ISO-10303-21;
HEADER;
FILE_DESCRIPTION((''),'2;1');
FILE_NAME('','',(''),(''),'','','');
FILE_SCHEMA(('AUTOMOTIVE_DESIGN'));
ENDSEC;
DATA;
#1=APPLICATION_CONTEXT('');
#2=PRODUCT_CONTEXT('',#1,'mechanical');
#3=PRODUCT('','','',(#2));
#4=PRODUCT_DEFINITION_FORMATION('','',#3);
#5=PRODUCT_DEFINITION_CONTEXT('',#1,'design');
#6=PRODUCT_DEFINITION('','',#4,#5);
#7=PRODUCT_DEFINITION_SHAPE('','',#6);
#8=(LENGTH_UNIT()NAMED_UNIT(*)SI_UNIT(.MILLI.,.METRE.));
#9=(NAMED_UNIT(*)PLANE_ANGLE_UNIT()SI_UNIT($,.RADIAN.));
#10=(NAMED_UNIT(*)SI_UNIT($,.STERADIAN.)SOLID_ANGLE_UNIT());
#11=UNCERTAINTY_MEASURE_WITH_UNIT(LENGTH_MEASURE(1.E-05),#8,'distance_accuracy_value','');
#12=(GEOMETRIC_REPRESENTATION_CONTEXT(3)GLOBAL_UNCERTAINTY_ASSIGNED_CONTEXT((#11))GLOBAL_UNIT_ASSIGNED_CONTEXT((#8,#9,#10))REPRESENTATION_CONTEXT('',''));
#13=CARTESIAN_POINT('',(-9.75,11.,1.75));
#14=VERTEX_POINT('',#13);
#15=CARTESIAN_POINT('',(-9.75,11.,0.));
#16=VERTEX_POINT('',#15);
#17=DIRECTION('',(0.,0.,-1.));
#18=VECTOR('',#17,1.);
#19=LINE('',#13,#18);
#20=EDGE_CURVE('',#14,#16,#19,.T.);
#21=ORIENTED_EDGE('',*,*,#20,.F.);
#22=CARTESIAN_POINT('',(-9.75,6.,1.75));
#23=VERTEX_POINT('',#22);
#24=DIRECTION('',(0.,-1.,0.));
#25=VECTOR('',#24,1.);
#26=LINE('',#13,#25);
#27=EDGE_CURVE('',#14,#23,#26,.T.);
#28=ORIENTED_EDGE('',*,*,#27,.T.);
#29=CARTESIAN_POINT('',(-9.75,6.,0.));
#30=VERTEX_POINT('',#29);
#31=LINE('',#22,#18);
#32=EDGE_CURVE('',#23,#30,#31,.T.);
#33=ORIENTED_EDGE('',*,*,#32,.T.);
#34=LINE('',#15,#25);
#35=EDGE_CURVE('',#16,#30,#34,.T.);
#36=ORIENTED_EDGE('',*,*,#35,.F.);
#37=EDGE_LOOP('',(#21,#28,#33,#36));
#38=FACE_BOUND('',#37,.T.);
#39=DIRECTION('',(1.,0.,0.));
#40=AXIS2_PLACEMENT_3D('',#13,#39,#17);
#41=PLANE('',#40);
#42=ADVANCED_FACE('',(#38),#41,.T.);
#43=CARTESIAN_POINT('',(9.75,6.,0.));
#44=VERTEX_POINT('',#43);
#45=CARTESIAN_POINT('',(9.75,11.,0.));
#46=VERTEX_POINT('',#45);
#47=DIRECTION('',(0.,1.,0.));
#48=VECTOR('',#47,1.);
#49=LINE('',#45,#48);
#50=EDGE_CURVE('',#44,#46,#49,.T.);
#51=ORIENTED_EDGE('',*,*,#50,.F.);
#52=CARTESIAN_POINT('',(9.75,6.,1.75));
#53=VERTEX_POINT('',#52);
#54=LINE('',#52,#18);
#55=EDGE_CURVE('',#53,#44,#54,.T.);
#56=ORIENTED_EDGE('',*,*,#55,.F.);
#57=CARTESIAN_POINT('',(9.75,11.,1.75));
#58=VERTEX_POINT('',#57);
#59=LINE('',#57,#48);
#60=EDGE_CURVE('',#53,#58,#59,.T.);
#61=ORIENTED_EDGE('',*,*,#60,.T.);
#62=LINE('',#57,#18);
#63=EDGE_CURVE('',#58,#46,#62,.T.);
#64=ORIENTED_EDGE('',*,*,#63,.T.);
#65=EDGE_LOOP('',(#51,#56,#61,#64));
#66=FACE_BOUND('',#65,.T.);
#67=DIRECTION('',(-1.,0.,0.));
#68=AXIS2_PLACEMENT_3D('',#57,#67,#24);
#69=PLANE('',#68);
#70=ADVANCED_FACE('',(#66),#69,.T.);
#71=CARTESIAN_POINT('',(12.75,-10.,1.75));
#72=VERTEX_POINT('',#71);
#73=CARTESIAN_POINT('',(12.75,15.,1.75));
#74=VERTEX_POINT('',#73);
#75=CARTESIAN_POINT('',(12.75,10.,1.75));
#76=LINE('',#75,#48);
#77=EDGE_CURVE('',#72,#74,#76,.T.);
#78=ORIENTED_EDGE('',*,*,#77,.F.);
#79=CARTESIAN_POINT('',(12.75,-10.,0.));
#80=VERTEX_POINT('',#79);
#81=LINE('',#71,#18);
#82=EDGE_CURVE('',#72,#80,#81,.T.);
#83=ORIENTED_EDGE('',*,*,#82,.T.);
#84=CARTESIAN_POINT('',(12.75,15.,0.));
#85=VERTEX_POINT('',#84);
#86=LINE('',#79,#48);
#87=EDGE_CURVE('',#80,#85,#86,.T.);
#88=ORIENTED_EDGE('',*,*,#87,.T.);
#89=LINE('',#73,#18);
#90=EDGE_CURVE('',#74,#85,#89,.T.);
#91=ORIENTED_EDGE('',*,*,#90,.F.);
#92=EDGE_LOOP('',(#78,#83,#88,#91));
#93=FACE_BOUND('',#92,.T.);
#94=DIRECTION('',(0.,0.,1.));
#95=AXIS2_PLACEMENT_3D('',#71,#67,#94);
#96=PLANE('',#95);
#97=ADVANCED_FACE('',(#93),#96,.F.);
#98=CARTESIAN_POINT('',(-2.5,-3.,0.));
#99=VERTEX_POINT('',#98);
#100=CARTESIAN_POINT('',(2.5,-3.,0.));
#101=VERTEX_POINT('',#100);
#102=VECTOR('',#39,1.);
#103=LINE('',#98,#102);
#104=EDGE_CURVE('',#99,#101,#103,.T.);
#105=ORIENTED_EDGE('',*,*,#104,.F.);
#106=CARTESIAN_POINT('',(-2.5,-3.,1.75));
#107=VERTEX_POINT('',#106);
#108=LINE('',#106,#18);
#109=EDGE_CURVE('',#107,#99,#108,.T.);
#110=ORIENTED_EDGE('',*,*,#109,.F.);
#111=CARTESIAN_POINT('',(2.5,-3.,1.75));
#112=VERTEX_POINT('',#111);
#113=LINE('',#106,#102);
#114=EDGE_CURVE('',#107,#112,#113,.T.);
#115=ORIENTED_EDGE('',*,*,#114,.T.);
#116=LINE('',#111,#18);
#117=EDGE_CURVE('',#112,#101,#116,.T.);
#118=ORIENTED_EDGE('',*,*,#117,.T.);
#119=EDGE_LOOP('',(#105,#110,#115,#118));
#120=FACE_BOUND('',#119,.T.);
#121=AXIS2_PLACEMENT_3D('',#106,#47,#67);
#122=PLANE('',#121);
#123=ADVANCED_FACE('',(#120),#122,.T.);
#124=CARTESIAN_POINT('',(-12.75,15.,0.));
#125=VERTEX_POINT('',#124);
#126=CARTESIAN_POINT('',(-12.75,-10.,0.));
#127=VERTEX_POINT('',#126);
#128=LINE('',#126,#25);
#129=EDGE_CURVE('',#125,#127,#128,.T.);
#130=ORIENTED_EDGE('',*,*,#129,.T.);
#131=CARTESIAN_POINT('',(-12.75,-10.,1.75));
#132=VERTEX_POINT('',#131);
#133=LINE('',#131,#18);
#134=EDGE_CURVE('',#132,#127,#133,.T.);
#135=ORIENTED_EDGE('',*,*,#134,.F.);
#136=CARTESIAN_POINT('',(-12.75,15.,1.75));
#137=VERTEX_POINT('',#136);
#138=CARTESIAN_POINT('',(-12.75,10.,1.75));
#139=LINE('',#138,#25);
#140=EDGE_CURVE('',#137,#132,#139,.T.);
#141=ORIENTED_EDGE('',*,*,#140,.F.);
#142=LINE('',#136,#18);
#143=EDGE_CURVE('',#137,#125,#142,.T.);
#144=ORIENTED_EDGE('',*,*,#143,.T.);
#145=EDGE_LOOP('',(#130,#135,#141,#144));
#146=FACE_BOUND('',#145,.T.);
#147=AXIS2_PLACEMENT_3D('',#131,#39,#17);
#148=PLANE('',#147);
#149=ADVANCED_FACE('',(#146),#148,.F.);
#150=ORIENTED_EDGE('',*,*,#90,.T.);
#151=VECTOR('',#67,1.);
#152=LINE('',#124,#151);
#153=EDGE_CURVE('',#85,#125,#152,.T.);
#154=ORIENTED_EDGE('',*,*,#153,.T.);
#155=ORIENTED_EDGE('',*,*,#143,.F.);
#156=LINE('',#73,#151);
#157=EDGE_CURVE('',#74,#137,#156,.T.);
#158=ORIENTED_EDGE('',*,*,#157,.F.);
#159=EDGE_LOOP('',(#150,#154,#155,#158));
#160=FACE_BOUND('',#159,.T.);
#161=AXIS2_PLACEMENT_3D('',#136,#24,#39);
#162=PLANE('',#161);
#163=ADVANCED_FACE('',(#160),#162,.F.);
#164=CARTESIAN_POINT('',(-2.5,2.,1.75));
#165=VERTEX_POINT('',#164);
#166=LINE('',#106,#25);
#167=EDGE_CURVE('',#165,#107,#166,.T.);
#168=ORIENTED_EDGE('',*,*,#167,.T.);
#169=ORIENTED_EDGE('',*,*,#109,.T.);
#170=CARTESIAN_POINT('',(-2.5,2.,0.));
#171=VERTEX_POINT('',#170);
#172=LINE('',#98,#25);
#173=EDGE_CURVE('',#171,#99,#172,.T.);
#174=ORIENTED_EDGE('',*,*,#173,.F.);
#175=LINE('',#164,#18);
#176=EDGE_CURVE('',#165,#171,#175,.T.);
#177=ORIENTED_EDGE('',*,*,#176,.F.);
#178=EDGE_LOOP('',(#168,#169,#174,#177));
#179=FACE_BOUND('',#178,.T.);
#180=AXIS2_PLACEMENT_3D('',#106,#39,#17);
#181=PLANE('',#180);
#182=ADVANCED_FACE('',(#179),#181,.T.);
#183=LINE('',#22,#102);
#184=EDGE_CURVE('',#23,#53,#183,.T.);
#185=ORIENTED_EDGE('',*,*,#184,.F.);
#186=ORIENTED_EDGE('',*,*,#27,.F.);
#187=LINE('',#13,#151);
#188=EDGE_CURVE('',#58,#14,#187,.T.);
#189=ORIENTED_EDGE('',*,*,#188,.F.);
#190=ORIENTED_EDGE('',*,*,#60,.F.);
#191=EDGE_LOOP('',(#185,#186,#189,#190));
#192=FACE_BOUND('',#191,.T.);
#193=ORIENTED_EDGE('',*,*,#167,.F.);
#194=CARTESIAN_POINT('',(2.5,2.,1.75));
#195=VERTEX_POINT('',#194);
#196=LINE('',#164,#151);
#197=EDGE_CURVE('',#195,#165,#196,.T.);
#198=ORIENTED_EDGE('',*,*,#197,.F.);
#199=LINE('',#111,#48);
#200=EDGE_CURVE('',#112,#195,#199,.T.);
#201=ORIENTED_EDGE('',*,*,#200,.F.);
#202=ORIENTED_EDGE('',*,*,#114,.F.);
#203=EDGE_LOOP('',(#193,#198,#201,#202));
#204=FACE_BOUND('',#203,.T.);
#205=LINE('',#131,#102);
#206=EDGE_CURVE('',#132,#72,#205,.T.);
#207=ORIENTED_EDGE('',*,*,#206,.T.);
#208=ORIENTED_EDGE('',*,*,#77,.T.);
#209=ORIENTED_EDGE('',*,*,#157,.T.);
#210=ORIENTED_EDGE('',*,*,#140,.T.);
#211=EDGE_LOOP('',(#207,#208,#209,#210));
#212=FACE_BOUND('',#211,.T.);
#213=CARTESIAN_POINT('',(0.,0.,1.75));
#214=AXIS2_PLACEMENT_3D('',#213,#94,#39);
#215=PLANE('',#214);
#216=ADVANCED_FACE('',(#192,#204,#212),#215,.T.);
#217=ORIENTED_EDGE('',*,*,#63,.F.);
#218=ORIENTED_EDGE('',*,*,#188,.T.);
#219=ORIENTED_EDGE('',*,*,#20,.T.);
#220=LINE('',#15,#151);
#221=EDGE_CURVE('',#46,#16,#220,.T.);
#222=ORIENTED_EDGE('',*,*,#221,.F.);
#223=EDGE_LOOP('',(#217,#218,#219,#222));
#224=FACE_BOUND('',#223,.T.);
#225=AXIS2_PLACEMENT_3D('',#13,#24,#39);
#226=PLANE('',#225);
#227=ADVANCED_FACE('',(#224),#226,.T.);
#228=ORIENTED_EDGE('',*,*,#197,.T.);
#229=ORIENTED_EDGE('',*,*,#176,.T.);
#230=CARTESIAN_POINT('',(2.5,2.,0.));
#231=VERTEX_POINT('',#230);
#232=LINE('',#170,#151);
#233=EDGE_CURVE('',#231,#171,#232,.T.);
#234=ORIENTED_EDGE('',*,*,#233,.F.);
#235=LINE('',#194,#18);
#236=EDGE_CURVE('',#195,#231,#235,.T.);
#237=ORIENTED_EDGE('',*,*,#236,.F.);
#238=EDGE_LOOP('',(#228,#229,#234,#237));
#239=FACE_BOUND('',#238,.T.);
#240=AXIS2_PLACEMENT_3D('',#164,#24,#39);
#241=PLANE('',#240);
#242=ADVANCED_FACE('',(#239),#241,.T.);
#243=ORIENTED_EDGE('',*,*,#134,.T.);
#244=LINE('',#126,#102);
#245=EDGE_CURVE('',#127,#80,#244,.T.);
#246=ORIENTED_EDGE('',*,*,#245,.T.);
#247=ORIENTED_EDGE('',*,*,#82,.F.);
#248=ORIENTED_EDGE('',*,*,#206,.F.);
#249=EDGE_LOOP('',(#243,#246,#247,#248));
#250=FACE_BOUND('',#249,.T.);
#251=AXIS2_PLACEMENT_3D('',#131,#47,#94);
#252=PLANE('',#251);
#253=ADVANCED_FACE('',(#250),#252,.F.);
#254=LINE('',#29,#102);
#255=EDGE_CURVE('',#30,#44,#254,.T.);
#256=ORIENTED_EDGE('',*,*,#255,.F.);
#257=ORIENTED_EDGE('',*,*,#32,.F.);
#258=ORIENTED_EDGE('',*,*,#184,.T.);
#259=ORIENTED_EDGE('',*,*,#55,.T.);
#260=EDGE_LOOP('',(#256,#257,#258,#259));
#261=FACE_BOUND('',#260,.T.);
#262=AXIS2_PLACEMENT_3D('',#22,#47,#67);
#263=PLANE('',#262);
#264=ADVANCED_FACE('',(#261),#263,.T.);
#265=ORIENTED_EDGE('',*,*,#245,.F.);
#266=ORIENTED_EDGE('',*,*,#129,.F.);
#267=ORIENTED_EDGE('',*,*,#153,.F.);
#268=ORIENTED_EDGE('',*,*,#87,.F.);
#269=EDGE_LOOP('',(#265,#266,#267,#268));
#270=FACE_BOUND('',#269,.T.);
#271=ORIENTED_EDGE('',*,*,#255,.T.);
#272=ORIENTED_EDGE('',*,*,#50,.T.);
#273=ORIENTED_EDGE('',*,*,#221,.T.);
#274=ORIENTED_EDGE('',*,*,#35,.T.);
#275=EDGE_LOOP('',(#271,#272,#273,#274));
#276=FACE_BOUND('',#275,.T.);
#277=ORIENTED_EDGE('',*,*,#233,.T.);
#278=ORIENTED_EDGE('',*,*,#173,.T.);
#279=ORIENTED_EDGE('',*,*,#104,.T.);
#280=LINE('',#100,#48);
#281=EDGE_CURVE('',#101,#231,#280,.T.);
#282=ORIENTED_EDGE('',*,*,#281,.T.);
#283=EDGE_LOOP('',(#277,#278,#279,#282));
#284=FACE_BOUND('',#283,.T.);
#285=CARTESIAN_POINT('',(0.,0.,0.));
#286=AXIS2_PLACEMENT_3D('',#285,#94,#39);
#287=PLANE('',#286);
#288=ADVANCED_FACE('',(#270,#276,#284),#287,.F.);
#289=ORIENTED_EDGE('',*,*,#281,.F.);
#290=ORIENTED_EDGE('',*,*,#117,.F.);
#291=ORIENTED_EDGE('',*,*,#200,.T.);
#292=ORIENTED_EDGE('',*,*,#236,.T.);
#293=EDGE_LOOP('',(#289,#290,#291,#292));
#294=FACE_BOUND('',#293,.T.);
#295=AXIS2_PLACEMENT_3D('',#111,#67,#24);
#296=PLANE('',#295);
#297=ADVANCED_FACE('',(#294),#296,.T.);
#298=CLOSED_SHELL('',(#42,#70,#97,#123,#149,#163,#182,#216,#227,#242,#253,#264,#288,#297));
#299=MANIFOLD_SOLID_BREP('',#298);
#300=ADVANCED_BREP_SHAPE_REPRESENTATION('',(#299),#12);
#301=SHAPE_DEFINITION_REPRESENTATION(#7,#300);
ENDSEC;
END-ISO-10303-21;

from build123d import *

# Parameters (mm, degrees)
SKETCH1_W           = 5
SKETCH1_H           = 5
SKETCH1_W_2         = 19.5
BOSS_EXTRUDE1_DEPTH = 1.75


with BuildPart() as part:
    # Sketch1 → Boss-Extrude1 (new body)
    with BuildSketch(Plane.XY):
        Polygon((-12.75, 15), (-9.75, 15), (9.75, 15), (12.75, 15), (12.75, 10), (12.75, -10), (-12.75, -10), (-12.75, 10), align=None)
        with Locations((0, -0.5)):
            Rectangle(SKETCH1_W, SKETCH1_H, mode=Mode.SUBTRACT)
        with Locations((0, 8.5)):
            Rectangle(SKETCH1_W_2, SKETCH1_H, mode=Mode.SUBTRACT)
    extrude(amount=BOSS_EXTRUDE1_DEPTH)


solid = part.part
